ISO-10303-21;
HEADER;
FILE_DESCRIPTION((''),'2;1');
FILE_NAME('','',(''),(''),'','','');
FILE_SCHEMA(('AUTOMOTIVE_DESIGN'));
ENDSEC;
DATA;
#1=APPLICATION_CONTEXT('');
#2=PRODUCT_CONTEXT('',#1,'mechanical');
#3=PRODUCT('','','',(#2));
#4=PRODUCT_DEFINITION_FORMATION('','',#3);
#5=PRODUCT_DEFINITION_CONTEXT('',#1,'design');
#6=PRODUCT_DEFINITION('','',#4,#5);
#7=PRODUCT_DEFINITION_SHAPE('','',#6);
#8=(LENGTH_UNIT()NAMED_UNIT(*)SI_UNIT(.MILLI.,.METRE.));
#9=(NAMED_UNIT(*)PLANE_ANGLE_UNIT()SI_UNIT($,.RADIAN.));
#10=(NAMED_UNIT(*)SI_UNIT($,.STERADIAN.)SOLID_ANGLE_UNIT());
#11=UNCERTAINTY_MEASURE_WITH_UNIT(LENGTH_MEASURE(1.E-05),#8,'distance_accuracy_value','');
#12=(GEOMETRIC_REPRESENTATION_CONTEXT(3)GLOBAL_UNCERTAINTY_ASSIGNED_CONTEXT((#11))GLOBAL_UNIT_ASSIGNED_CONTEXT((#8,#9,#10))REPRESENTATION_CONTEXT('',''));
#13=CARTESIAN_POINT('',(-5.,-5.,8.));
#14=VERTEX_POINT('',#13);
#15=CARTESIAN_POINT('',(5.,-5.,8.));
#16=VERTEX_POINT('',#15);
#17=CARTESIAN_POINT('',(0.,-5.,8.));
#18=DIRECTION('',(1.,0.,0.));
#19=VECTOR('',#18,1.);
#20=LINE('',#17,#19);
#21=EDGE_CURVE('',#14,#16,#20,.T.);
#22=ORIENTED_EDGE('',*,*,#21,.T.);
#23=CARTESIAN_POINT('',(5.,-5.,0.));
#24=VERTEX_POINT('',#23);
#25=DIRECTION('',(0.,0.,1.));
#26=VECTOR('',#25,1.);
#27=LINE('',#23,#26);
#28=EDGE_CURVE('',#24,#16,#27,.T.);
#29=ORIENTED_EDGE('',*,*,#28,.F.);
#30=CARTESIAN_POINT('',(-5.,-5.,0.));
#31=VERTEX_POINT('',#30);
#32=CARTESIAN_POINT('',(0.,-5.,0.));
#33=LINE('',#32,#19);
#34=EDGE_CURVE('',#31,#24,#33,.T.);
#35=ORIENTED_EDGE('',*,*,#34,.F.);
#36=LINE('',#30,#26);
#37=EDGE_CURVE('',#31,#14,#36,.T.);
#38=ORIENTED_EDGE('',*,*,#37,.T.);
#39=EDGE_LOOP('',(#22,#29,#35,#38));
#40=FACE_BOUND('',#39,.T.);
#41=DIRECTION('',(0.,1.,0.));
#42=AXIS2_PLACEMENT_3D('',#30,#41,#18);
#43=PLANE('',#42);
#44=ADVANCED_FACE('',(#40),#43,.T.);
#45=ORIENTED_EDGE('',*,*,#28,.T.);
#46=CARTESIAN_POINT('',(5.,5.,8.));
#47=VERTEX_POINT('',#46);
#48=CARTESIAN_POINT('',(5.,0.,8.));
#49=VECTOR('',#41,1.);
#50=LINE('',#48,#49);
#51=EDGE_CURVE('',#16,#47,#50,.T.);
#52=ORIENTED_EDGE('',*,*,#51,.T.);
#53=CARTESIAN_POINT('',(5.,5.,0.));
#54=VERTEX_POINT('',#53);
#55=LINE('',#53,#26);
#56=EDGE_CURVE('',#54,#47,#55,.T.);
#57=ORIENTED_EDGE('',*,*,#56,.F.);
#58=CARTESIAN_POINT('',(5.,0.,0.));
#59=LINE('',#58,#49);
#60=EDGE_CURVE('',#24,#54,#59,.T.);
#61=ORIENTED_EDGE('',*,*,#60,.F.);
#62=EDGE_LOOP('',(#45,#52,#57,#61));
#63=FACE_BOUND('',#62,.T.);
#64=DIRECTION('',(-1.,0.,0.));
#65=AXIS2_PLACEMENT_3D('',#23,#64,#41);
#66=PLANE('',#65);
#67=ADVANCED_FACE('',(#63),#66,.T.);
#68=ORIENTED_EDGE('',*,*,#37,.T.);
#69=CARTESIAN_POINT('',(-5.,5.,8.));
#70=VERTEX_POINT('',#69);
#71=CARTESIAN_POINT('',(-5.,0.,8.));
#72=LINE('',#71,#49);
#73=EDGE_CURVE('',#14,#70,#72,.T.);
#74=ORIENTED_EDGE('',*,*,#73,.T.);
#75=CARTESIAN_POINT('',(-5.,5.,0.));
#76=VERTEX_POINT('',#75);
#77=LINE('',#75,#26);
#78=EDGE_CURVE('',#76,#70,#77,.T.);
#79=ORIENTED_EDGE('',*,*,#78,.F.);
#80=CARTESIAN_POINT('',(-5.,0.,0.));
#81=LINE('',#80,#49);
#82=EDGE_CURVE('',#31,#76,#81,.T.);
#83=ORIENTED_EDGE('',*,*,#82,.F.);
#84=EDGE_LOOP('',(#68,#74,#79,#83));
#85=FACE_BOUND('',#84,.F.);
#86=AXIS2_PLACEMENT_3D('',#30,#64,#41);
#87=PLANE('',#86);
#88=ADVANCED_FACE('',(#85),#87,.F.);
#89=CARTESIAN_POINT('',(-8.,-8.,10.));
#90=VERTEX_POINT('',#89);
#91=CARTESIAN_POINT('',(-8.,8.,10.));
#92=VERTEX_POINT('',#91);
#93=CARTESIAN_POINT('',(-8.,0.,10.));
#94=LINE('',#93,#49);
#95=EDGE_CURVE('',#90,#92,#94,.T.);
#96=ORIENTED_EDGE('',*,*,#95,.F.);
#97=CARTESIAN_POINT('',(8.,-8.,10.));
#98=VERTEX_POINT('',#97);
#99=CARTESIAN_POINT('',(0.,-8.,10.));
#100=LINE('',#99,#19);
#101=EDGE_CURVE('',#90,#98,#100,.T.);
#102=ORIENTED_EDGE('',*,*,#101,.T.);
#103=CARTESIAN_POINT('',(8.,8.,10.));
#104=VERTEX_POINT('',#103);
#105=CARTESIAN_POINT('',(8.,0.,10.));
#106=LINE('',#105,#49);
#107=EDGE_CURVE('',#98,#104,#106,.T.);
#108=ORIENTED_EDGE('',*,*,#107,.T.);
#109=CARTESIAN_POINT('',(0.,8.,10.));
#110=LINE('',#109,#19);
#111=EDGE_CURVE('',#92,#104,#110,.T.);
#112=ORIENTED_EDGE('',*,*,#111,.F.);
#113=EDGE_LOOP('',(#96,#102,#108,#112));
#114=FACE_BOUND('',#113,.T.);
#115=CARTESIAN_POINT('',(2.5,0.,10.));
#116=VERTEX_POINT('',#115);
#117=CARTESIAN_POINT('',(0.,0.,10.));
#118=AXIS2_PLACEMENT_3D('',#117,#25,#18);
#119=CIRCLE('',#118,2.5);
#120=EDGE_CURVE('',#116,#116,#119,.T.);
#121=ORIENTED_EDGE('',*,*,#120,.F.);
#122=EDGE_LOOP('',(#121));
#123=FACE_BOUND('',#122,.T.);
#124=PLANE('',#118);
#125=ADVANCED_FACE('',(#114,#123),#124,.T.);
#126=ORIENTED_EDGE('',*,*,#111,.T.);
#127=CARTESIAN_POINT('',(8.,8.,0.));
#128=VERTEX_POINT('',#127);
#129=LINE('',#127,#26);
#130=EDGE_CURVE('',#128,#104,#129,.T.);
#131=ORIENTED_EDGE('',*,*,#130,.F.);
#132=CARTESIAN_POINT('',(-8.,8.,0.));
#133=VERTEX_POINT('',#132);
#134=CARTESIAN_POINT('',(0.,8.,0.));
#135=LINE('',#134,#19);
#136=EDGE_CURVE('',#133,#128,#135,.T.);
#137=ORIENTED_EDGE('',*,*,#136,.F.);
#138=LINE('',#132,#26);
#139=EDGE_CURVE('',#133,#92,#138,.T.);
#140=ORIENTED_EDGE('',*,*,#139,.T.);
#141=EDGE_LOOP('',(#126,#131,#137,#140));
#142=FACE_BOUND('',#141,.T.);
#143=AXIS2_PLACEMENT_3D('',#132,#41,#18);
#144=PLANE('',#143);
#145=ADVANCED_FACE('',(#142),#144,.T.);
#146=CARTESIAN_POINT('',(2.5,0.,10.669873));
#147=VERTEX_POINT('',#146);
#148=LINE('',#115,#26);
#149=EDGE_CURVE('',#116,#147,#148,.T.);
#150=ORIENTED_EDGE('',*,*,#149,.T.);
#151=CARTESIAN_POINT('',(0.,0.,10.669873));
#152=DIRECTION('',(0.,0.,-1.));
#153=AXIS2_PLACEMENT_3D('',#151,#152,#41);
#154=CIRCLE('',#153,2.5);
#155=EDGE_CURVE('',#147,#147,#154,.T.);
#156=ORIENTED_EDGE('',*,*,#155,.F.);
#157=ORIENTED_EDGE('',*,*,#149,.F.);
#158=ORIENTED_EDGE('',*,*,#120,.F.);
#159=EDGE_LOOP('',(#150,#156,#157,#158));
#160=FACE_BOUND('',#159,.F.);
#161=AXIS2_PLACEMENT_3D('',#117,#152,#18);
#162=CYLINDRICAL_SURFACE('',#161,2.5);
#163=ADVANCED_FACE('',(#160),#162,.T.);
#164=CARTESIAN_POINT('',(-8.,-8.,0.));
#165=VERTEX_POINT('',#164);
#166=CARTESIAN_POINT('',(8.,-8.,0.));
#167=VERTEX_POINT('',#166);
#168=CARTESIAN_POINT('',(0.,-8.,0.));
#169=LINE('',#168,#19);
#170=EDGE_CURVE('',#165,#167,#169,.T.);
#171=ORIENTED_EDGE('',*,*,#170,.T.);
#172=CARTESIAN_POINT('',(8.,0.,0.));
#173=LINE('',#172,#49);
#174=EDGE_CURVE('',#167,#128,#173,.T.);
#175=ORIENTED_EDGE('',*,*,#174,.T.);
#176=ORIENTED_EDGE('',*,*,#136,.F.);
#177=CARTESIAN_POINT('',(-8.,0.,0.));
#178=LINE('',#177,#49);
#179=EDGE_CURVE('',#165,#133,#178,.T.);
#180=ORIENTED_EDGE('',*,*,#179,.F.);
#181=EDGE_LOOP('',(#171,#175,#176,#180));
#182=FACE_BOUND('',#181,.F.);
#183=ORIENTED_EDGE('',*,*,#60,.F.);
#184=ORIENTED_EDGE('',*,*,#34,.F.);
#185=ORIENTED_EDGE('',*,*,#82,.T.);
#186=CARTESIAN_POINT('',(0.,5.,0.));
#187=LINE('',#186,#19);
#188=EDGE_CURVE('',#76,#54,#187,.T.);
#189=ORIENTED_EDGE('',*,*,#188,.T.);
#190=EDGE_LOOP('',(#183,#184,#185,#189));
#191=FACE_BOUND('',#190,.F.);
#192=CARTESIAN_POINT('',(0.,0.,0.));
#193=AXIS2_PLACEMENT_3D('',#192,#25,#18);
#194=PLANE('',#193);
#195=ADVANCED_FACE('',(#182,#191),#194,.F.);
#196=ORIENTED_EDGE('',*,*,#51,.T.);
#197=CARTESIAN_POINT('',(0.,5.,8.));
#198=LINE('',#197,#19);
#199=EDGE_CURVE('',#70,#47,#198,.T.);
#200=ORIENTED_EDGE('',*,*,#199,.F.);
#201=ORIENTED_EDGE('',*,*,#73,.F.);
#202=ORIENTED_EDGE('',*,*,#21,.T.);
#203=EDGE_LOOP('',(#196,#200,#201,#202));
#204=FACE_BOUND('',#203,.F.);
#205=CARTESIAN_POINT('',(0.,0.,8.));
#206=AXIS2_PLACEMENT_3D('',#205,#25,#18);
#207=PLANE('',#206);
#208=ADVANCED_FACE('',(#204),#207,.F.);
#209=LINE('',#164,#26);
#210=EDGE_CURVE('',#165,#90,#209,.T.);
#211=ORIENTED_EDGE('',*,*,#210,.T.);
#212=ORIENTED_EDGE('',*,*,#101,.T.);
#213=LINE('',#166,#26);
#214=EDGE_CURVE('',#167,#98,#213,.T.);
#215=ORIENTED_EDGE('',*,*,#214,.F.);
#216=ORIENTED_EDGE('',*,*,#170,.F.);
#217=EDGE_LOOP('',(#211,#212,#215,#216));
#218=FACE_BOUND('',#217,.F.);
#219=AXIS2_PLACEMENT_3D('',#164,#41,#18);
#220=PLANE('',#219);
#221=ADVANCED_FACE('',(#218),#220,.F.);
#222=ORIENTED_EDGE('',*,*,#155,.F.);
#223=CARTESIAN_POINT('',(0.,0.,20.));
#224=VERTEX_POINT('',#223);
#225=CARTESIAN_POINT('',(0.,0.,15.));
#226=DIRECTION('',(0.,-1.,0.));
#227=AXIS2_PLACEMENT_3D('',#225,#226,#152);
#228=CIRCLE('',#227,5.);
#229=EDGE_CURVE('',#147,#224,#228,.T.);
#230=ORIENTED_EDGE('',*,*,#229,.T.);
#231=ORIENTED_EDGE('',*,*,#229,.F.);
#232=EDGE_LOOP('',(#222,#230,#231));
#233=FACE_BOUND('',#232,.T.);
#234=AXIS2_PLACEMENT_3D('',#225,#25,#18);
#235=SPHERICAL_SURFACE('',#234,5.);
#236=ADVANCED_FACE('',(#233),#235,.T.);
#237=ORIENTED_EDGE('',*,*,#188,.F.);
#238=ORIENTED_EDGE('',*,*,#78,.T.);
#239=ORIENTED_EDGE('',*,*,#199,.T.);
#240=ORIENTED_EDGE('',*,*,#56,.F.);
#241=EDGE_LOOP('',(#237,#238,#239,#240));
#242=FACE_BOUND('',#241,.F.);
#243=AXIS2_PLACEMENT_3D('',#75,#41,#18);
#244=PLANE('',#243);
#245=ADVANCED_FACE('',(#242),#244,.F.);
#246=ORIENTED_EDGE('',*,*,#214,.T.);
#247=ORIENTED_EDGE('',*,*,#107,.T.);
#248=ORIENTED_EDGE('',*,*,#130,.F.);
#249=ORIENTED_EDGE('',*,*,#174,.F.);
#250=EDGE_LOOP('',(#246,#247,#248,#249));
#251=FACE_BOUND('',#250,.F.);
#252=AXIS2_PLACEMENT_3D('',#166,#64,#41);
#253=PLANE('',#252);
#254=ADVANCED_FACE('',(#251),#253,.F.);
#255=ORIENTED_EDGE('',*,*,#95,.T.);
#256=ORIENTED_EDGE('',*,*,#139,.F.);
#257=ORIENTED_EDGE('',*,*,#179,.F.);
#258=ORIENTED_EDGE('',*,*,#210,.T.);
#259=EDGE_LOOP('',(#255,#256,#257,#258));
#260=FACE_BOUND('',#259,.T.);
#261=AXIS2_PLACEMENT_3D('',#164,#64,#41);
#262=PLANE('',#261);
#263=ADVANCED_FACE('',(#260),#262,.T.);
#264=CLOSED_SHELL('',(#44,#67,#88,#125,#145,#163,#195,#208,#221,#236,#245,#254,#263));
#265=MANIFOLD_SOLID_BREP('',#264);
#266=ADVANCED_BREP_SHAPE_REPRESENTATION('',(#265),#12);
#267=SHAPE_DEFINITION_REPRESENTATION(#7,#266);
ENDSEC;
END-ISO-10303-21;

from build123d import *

# Parameters (mm, degrees)
BOX001_W       = 10
BOX001_H       = 10
BOX001_DEPTH   = 8
CYLINDER_R     = 2.5
CYLINDER_DEPTH = 5
BOX_W          = 16
BOX_H          = 16
BOX_DEPTH      = 10


with BuildPart() as cube001:
    # Box001 → Box001 (new body)
    with BuildSketch(Plane(origin=(-5, -5, 0), x_dir=(1, 0, 0), z_dir=(0, 0, 1))):
        with Locations((5, 5)):
            Rectangle(BOX001_W, BOX001_H)
    extrude(amount=BOX001_DEPTH)


with BuildPart() as cylinder:
    # Cylinder → Cylinder (new body)
    with BuildSketch(Plane.XY.offset(10)):
        Circle(CYLINDER_R)
    extrude(amount=CYLINDER_DEPTH)


with BuildPart() as sphere:
    # Sphere → Sphere (revolve)
    with BuildSketch(Plane(origin=(0, 0, 15), x_dir=(1, 0, 0), z_dir=(0, -1, 0))):
        with BuildLine():
            ThreePointArc((0, -5), (5, 0), (0, 5))
            Line((0, 5), (0, -5))
        make_face()
    revolve(axis=Axis((0, 0, 15), (0, 0, 1)))


with BuildPart() as cut:
    # Box → Box (new body)
    with BuildSketch(Plane(origin=(-8, -8, 0), x_dir=(1, 0, 0), z_dir=(0, 0, 1))):
        with Locations((8, 8)):
            Rectangle(BOX_W, BOX_H)
    extrude(amount=BOX_DEPTH)

    # Fusion: union Cylinder, Sphere
    add(cylinder.part)
    add(sphere.part)

    # Cut: cut Cube001
    add(cube001.part, mode=Mode.SUBTRACT)


solid = cut.part
